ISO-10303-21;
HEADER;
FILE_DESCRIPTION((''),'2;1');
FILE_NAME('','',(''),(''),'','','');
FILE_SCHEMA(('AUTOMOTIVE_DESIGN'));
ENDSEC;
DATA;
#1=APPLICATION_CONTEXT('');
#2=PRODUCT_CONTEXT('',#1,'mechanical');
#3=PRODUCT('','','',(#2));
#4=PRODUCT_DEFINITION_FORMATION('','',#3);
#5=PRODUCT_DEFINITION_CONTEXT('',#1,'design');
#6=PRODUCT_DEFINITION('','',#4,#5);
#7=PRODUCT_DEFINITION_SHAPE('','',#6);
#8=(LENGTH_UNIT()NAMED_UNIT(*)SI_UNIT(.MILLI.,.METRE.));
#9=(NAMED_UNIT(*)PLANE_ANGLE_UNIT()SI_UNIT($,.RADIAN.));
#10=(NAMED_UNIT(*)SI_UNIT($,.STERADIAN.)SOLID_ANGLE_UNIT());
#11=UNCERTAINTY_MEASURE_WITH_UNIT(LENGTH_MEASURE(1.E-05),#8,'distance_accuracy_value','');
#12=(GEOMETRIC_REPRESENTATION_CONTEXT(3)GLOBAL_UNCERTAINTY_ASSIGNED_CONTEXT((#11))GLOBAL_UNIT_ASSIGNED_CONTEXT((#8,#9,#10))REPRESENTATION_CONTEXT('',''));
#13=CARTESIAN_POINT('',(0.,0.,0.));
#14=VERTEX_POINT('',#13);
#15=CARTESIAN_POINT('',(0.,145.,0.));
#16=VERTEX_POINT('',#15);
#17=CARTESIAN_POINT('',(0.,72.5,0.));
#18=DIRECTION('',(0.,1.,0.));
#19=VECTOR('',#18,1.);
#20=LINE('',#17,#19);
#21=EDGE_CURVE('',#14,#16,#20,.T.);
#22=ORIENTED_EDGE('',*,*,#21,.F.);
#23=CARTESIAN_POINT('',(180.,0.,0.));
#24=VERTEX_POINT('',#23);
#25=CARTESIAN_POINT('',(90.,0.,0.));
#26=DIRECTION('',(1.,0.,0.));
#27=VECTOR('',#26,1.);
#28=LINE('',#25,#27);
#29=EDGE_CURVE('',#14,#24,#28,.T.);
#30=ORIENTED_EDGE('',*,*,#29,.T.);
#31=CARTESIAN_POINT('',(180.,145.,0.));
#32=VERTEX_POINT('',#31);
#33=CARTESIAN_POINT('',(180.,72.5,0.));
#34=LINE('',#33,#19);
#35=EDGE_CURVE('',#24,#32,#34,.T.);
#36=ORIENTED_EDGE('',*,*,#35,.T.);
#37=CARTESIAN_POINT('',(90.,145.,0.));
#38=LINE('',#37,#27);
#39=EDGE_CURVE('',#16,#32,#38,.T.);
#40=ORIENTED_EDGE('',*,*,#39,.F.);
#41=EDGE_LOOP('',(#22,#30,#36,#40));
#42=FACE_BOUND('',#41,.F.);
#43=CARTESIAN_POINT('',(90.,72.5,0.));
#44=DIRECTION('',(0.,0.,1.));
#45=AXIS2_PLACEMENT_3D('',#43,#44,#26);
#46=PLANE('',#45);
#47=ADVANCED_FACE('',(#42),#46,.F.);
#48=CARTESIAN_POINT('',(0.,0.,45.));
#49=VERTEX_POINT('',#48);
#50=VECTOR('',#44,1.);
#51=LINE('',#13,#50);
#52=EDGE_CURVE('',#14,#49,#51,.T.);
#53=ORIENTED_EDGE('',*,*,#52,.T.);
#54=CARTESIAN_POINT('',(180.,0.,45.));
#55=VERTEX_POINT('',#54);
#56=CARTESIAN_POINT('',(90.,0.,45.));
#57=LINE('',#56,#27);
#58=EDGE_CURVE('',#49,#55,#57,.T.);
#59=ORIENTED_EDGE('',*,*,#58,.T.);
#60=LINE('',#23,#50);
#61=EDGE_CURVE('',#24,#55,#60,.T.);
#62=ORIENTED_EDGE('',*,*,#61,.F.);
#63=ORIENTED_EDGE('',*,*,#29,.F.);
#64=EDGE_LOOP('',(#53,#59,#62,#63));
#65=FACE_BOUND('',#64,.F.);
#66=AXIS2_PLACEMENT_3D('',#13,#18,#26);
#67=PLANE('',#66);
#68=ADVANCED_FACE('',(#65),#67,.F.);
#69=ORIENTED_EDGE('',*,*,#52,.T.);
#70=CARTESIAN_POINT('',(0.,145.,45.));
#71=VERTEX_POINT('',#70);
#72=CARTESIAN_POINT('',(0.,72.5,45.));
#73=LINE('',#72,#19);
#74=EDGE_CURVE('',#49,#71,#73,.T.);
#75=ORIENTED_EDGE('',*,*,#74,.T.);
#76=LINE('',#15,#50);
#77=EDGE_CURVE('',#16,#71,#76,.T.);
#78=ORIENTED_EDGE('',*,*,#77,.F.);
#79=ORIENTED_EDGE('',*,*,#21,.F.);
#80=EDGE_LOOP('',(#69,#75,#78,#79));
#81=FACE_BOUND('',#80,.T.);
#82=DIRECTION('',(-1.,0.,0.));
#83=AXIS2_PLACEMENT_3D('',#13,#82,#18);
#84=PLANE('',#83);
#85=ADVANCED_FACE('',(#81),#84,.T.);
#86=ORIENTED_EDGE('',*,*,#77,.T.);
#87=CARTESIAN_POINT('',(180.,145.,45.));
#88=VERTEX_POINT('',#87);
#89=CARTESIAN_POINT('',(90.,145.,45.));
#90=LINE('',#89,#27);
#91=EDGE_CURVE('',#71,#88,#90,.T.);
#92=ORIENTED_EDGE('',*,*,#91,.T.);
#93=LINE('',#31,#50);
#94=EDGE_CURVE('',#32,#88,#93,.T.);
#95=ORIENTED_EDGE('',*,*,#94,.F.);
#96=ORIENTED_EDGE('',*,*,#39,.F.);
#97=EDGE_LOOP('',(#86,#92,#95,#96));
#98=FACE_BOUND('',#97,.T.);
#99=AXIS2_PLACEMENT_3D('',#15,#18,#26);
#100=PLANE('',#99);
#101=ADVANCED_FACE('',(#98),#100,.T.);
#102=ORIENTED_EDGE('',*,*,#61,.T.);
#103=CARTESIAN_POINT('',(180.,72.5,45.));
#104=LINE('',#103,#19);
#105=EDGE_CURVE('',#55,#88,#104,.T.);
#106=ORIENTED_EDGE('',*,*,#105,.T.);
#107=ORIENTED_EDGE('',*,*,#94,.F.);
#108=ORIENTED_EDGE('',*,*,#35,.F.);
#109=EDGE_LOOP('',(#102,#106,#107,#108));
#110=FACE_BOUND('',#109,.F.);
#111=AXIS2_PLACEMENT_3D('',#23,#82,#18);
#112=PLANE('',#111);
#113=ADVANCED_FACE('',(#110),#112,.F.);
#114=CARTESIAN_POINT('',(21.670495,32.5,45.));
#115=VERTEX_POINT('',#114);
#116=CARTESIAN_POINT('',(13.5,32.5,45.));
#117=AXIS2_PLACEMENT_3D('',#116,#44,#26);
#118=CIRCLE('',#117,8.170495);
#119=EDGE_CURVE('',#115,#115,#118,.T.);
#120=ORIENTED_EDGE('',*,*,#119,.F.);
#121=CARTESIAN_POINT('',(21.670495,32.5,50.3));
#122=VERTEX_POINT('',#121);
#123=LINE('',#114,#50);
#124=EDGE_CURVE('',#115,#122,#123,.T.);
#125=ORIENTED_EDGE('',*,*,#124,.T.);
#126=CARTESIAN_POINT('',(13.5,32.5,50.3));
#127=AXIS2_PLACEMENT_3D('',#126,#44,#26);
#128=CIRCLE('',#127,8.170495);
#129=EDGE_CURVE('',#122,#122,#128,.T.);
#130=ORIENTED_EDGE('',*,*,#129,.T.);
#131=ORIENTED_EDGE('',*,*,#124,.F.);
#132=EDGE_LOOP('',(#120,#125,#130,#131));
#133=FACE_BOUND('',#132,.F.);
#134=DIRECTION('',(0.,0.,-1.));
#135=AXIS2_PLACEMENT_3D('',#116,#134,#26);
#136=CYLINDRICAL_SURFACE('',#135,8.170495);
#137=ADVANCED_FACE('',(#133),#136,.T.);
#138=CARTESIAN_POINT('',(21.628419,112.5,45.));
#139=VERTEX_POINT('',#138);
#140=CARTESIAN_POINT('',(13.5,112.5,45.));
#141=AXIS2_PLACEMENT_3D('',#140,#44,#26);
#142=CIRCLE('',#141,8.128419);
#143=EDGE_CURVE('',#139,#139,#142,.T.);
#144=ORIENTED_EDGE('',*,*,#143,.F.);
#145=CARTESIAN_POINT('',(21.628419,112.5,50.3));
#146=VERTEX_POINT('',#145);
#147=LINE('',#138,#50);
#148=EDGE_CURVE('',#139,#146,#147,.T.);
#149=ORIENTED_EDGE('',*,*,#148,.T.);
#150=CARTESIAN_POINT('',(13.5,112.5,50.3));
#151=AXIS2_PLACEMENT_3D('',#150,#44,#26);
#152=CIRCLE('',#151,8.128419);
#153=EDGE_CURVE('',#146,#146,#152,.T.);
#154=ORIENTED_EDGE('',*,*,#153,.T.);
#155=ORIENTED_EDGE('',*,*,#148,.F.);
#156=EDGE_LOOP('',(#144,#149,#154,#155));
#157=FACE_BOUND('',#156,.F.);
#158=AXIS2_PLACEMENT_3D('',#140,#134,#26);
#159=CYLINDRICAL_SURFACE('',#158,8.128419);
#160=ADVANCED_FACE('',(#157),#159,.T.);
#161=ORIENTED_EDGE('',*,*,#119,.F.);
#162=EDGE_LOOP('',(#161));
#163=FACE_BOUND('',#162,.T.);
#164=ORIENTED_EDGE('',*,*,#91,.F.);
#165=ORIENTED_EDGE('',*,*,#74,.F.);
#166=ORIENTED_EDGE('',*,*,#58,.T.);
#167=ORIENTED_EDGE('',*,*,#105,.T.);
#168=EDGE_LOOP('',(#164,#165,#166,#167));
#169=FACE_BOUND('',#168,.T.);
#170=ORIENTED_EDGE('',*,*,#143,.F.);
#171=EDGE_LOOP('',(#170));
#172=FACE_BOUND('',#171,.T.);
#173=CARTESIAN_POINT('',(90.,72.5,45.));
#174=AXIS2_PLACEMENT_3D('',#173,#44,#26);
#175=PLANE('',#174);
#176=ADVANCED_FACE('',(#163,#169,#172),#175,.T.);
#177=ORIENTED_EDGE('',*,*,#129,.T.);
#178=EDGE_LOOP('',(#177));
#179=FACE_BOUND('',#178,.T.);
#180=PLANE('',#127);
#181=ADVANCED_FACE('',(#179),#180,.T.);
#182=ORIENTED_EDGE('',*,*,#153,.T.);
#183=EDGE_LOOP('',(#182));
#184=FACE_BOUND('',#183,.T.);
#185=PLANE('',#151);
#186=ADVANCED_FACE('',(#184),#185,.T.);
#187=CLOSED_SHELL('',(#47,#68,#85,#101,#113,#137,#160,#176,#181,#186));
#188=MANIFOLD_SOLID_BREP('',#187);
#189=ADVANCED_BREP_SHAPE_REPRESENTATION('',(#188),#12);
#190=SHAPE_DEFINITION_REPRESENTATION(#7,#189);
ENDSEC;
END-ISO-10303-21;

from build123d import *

# Parameters (mm, degrees)
SKETCH_W      = 180
SKETCH_H      = 145
PAD_DEPTH     = 45
SKETCH001_R   = 8.128419
SKETCH001_R_2 = 8.170495
PAD001_DEPTH  = 5.3


with BuildPart() as part:
    # Sketch → Pad (new body)
    with BuildSketch(Plane.XY):
        with Locations((90, 72.5)):
            Rectangle(SKETCH_W, SKETCH_H)
    extrude(amount=PAD_DEPTH)

    # Sketch001 (on Face6 of Pad) → Pad001 (join)
    with BuildSketch(Plane.XY.offset(45)):
        with Locations((13.5, 112.5)):
            Circle(SKETCH001_R)
        with Locations((13.5, 32.5)):
            Circle(SKETCH001_R_2)
    extrude(amount=PAD001_DEPTH)


solid = part.part
